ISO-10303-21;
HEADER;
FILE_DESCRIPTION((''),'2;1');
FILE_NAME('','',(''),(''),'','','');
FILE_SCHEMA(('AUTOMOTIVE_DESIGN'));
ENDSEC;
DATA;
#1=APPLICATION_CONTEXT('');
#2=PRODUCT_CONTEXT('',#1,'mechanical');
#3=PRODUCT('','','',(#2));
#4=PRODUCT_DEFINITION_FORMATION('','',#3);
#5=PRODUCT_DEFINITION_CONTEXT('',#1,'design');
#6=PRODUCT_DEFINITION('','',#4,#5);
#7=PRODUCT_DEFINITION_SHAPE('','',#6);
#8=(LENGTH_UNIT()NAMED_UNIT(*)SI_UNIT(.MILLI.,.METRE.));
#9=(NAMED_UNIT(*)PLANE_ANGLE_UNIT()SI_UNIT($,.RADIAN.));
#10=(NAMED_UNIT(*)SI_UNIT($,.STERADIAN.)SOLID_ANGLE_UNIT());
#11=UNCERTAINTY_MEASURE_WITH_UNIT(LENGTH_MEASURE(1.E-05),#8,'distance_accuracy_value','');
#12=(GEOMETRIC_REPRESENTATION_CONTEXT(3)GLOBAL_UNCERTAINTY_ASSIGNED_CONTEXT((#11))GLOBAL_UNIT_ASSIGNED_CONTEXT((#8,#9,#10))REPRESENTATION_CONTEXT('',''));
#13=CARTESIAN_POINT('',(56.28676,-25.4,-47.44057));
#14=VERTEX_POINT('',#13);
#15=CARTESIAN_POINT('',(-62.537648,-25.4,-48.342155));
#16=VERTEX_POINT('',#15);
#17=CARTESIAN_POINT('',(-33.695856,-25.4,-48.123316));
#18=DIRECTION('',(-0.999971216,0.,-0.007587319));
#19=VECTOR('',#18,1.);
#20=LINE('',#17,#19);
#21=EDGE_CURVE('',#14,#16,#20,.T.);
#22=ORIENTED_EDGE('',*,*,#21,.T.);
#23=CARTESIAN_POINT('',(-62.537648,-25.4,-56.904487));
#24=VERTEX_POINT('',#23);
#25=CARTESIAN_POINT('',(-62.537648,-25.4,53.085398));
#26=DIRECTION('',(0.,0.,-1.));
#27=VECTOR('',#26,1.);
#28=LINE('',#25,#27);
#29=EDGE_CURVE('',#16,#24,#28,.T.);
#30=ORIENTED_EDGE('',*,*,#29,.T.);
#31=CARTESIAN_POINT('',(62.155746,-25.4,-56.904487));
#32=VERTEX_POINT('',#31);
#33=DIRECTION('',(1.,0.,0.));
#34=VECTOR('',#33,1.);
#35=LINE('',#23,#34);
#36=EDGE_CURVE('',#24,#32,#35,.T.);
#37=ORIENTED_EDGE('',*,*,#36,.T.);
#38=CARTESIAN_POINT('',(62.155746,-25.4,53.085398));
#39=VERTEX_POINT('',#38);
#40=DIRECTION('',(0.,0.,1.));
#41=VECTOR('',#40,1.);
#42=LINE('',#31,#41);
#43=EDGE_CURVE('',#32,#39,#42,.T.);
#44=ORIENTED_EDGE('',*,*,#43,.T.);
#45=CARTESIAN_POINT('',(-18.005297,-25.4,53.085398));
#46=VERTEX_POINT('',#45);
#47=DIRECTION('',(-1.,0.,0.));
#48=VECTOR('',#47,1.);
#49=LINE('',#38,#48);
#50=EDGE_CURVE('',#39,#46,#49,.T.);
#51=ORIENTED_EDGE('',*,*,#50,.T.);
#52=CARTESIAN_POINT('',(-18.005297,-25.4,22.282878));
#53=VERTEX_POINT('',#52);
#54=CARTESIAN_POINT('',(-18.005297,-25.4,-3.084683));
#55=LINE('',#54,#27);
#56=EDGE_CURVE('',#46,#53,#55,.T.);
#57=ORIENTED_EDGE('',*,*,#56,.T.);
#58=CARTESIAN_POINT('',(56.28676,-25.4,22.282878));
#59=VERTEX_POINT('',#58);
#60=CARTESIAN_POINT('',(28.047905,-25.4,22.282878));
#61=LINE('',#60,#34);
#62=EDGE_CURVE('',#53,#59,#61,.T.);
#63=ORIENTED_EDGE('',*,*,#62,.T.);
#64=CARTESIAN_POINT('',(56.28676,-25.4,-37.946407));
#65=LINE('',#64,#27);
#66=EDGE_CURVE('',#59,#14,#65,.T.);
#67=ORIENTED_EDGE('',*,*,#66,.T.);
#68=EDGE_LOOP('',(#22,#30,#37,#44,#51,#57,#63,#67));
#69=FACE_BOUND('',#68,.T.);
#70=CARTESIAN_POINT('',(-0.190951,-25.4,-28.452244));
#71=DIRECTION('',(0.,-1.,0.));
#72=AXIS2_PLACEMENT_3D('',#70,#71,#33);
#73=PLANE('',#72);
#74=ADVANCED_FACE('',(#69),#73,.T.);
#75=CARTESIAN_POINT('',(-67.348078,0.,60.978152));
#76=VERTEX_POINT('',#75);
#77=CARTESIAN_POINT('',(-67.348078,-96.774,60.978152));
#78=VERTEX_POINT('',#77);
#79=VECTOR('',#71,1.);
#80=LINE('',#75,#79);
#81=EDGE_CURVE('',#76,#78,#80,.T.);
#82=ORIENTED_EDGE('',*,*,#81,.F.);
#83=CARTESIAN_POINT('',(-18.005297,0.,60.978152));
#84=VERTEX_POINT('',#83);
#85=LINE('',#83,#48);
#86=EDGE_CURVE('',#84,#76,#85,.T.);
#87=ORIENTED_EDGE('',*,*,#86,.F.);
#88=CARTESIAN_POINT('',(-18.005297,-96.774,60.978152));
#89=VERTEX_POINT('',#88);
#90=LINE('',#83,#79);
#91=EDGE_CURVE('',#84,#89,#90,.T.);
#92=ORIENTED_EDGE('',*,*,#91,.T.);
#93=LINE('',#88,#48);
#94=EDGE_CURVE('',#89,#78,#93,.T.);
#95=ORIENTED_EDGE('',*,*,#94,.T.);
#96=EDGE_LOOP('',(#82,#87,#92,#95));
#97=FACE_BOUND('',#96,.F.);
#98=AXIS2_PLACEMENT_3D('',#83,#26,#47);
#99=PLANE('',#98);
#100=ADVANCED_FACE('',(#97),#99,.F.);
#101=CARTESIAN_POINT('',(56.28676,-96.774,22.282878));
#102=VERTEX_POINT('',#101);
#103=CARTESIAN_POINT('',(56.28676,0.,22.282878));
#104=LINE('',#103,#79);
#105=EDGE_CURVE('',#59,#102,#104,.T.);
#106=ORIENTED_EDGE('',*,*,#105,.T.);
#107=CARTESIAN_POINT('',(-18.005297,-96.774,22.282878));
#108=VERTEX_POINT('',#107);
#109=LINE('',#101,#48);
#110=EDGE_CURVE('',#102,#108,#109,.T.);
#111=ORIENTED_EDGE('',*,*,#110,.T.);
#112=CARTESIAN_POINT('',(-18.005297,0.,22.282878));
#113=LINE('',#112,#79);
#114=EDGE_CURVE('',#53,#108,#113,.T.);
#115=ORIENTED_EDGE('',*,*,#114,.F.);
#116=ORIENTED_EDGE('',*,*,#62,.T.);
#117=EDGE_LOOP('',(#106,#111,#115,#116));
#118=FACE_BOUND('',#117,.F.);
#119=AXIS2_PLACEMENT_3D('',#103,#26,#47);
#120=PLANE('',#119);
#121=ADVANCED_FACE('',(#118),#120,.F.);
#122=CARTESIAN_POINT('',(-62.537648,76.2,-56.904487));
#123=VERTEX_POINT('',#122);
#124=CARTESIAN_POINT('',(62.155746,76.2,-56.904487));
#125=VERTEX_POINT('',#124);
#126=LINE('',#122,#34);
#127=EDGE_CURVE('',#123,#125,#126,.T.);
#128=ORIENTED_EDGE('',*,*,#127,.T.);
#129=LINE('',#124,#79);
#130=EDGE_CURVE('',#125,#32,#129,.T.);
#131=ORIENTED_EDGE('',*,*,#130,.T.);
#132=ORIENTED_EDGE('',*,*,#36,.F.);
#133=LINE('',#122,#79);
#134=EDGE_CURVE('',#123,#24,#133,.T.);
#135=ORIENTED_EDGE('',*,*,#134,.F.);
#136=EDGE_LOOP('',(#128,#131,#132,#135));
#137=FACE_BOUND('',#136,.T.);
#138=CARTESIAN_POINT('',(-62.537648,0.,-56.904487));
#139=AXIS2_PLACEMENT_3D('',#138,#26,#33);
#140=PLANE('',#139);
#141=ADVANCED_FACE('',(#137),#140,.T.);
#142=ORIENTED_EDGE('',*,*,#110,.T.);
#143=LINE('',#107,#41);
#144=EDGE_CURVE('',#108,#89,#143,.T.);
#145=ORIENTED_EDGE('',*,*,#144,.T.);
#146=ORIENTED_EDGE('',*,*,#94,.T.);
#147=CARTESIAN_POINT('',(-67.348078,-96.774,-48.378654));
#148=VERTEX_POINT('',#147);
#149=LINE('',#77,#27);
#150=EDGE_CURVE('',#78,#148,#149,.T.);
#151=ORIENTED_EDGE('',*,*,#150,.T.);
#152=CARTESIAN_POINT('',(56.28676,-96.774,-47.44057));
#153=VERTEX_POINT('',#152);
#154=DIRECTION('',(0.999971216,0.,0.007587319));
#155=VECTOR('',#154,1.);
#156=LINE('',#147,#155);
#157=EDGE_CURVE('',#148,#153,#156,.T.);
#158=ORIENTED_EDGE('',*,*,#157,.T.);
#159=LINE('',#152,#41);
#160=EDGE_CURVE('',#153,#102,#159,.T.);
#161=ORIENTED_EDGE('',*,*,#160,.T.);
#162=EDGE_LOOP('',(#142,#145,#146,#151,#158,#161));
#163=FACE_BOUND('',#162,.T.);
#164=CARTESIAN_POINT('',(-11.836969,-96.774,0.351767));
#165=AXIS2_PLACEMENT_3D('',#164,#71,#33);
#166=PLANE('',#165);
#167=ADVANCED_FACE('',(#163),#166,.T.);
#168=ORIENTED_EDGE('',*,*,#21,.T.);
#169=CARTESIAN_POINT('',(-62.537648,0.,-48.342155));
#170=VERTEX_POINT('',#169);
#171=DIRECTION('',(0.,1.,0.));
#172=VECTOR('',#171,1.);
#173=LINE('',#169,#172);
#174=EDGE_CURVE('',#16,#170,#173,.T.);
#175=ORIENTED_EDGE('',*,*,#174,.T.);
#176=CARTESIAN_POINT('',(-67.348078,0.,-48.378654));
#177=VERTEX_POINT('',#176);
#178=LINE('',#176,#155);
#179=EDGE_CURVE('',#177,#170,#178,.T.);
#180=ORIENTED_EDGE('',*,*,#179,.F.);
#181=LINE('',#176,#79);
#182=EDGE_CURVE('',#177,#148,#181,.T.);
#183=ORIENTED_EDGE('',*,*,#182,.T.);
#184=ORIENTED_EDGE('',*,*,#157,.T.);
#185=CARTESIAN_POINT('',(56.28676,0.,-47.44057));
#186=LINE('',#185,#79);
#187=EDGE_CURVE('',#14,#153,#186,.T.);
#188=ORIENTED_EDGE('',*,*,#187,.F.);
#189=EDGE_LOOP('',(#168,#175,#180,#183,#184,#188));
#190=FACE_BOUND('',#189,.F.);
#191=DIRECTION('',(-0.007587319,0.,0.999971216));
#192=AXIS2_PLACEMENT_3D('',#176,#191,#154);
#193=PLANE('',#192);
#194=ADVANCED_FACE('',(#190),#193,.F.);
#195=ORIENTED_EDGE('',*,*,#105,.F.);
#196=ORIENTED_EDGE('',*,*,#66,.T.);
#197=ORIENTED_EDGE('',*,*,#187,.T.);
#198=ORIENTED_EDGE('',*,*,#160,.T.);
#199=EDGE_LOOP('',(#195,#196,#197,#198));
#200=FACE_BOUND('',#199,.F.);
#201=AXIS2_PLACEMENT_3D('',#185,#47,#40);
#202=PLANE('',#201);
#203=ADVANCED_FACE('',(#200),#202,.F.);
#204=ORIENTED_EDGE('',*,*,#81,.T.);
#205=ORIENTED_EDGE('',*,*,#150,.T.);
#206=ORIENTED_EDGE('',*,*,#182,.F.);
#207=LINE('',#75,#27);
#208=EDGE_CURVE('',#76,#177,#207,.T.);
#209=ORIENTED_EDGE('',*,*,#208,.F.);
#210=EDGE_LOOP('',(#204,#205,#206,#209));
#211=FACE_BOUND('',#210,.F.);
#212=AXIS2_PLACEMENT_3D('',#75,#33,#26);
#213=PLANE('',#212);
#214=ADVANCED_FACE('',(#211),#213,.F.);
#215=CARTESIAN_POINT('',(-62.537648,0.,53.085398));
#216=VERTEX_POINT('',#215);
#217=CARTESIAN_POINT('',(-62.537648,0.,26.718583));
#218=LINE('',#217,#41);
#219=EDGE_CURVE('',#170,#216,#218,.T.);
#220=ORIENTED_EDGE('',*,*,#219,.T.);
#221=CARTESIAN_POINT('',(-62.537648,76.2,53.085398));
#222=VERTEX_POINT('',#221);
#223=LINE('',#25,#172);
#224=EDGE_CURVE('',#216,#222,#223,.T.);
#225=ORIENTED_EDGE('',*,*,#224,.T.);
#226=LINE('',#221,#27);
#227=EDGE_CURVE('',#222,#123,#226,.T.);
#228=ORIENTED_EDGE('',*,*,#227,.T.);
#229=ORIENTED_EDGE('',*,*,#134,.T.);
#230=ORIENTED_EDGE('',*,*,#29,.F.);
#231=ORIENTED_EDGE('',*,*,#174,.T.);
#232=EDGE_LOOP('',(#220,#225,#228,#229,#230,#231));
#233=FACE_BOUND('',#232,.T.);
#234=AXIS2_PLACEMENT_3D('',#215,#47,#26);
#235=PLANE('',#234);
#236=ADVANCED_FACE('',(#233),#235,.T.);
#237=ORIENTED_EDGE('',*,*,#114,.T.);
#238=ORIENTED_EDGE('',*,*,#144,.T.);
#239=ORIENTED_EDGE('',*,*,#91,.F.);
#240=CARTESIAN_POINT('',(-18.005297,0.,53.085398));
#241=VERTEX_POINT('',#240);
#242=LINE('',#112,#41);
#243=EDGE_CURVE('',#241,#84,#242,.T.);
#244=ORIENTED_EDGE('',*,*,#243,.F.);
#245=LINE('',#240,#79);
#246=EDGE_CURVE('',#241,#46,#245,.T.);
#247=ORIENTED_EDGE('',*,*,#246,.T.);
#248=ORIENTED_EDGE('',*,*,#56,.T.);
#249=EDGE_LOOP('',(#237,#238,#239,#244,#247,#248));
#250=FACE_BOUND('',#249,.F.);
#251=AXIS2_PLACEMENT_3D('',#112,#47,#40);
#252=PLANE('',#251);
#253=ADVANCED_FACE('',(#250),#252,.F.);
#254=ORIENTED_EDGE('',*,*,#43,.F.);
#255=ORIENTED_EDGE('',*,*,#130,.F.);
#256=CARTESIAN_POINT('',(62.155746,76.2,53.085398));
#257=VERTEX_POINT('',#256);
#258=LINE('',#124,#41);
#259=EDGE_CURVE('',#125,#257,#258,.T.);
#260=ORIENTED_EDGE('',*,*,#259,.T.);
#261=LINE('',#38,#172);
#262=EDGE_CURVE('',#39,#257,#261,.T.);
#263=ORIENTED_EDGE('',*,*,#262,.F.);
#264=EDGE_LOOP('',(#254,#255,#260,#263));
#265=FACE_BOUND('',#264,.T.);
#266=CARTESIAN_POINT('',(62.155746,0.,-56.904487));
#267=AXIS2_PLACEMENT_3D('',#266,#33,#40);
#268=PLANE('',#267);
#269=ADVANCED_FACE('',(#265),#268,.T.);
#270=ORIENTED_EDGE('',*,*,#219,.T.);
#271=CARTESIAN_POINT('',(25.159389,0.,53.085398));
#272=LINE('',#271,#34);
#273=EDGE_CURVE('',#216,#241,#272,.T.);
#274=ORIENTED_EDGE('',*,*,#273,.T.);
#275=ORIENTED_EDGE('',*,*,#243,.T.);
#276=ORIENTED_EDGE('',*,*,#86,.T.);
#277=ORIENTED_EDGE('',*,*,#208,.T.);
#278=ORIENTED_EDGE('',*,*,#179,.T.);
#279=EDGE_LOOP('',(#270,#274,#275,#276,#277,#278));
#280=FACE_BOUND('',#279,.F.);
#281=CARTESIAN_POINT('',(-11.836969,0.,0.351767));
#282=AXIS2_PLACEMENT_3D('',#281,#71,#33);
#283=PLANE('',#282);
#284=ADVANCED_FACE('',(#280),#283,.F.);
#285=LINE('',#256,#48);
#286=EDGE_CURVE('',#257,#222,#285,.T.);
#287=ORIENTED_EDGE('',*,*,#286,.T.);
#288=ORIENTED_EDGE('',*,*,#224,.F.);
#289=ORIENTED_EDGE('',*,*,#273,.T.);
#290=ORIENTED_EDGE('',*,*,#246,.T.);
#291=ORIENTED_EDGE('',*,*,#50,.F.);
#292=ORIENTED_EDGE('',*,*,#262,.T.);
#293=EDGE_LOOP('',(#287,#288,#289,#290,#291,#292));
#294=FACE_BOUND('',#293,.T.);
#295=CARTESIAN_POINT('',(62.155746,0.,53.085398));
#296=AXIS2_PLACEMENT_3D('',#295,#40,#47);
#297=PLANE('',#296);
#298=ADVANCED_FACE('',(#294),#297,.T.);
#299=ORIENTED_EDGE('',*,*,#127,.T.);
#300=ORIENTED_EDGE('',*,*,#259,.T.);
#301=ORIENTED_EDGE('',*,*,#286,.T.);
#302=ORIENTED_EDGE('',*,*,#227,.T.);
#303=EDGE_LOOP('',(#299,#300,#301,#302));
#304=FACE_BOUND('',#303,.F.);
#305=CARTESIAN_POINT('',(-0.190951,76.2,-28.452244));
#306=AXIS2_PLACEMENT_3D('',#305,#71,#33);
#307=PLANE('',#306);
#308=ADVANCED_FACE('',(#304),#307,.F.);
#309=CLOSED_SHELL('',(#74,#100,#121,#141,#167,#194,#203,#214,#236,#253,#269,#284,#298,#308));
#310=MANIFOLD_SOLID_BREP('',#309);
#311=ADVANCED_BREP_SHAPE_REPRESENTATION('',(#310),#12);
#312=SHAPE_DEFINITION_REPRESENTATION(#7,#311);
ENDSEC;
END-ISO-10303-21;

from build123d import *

# Parameters (mm, degrees)
F0_W     = 62.537648
F0_H     = 53.085398
F0_W_2   = 62.155746
F1_DEPTH = 25.4
F2_DEPTH = 76.2
F4_DEPTH = 96.774


with BuildPart() as f1:
    # F0 (on Front) → F1 (new body)
    with BuildSketch(Plane.XZ):
        Polygon((62.155746, 0), (0, 0), (-62.537648, 0), (-62.537648, -56.904487), (62.155746, -56.904487), align=None)
        with Locations((-31.268824, 26.542699)):
            Rectangle(F0_W, F0_H)
        with Locations((31.077873, 26.542699)):
            Rectangle(F0_W_2, F0_H)
    extrude(amount=F1_DEPTH)

    # F0 (on Front) → F2 (join)
    with BuildSketch(Plane.XZ):
        Polygon((62.155746, 0), (0, 0), (-62.537648, 0), (-62.537648, -56.904487), (62.155746, -56.904487), align=None)
        with Locations((-31.268824, 26.542699)):
            Rectangle(F0_W, F0_H)
        with Locations((31.077873, 26.542699)):
            Rectangle(F0_W_2, F0_H)
    extrude(amount=-F2_DEPTH)

    # F3 (on Front) → F4 (join)
    with BuildSketch(Plane.XZ):
        Polygon((-67.348078, 60.978152), (-67.348078, -48.378654), (56.28676, -47.44057), (56.28676, 22.282878), (-18.005297, 22.282878), (-18.005297, 60.978152), align=None)
    extrude(amount=F4_DEPTH)


solid = f1.part
